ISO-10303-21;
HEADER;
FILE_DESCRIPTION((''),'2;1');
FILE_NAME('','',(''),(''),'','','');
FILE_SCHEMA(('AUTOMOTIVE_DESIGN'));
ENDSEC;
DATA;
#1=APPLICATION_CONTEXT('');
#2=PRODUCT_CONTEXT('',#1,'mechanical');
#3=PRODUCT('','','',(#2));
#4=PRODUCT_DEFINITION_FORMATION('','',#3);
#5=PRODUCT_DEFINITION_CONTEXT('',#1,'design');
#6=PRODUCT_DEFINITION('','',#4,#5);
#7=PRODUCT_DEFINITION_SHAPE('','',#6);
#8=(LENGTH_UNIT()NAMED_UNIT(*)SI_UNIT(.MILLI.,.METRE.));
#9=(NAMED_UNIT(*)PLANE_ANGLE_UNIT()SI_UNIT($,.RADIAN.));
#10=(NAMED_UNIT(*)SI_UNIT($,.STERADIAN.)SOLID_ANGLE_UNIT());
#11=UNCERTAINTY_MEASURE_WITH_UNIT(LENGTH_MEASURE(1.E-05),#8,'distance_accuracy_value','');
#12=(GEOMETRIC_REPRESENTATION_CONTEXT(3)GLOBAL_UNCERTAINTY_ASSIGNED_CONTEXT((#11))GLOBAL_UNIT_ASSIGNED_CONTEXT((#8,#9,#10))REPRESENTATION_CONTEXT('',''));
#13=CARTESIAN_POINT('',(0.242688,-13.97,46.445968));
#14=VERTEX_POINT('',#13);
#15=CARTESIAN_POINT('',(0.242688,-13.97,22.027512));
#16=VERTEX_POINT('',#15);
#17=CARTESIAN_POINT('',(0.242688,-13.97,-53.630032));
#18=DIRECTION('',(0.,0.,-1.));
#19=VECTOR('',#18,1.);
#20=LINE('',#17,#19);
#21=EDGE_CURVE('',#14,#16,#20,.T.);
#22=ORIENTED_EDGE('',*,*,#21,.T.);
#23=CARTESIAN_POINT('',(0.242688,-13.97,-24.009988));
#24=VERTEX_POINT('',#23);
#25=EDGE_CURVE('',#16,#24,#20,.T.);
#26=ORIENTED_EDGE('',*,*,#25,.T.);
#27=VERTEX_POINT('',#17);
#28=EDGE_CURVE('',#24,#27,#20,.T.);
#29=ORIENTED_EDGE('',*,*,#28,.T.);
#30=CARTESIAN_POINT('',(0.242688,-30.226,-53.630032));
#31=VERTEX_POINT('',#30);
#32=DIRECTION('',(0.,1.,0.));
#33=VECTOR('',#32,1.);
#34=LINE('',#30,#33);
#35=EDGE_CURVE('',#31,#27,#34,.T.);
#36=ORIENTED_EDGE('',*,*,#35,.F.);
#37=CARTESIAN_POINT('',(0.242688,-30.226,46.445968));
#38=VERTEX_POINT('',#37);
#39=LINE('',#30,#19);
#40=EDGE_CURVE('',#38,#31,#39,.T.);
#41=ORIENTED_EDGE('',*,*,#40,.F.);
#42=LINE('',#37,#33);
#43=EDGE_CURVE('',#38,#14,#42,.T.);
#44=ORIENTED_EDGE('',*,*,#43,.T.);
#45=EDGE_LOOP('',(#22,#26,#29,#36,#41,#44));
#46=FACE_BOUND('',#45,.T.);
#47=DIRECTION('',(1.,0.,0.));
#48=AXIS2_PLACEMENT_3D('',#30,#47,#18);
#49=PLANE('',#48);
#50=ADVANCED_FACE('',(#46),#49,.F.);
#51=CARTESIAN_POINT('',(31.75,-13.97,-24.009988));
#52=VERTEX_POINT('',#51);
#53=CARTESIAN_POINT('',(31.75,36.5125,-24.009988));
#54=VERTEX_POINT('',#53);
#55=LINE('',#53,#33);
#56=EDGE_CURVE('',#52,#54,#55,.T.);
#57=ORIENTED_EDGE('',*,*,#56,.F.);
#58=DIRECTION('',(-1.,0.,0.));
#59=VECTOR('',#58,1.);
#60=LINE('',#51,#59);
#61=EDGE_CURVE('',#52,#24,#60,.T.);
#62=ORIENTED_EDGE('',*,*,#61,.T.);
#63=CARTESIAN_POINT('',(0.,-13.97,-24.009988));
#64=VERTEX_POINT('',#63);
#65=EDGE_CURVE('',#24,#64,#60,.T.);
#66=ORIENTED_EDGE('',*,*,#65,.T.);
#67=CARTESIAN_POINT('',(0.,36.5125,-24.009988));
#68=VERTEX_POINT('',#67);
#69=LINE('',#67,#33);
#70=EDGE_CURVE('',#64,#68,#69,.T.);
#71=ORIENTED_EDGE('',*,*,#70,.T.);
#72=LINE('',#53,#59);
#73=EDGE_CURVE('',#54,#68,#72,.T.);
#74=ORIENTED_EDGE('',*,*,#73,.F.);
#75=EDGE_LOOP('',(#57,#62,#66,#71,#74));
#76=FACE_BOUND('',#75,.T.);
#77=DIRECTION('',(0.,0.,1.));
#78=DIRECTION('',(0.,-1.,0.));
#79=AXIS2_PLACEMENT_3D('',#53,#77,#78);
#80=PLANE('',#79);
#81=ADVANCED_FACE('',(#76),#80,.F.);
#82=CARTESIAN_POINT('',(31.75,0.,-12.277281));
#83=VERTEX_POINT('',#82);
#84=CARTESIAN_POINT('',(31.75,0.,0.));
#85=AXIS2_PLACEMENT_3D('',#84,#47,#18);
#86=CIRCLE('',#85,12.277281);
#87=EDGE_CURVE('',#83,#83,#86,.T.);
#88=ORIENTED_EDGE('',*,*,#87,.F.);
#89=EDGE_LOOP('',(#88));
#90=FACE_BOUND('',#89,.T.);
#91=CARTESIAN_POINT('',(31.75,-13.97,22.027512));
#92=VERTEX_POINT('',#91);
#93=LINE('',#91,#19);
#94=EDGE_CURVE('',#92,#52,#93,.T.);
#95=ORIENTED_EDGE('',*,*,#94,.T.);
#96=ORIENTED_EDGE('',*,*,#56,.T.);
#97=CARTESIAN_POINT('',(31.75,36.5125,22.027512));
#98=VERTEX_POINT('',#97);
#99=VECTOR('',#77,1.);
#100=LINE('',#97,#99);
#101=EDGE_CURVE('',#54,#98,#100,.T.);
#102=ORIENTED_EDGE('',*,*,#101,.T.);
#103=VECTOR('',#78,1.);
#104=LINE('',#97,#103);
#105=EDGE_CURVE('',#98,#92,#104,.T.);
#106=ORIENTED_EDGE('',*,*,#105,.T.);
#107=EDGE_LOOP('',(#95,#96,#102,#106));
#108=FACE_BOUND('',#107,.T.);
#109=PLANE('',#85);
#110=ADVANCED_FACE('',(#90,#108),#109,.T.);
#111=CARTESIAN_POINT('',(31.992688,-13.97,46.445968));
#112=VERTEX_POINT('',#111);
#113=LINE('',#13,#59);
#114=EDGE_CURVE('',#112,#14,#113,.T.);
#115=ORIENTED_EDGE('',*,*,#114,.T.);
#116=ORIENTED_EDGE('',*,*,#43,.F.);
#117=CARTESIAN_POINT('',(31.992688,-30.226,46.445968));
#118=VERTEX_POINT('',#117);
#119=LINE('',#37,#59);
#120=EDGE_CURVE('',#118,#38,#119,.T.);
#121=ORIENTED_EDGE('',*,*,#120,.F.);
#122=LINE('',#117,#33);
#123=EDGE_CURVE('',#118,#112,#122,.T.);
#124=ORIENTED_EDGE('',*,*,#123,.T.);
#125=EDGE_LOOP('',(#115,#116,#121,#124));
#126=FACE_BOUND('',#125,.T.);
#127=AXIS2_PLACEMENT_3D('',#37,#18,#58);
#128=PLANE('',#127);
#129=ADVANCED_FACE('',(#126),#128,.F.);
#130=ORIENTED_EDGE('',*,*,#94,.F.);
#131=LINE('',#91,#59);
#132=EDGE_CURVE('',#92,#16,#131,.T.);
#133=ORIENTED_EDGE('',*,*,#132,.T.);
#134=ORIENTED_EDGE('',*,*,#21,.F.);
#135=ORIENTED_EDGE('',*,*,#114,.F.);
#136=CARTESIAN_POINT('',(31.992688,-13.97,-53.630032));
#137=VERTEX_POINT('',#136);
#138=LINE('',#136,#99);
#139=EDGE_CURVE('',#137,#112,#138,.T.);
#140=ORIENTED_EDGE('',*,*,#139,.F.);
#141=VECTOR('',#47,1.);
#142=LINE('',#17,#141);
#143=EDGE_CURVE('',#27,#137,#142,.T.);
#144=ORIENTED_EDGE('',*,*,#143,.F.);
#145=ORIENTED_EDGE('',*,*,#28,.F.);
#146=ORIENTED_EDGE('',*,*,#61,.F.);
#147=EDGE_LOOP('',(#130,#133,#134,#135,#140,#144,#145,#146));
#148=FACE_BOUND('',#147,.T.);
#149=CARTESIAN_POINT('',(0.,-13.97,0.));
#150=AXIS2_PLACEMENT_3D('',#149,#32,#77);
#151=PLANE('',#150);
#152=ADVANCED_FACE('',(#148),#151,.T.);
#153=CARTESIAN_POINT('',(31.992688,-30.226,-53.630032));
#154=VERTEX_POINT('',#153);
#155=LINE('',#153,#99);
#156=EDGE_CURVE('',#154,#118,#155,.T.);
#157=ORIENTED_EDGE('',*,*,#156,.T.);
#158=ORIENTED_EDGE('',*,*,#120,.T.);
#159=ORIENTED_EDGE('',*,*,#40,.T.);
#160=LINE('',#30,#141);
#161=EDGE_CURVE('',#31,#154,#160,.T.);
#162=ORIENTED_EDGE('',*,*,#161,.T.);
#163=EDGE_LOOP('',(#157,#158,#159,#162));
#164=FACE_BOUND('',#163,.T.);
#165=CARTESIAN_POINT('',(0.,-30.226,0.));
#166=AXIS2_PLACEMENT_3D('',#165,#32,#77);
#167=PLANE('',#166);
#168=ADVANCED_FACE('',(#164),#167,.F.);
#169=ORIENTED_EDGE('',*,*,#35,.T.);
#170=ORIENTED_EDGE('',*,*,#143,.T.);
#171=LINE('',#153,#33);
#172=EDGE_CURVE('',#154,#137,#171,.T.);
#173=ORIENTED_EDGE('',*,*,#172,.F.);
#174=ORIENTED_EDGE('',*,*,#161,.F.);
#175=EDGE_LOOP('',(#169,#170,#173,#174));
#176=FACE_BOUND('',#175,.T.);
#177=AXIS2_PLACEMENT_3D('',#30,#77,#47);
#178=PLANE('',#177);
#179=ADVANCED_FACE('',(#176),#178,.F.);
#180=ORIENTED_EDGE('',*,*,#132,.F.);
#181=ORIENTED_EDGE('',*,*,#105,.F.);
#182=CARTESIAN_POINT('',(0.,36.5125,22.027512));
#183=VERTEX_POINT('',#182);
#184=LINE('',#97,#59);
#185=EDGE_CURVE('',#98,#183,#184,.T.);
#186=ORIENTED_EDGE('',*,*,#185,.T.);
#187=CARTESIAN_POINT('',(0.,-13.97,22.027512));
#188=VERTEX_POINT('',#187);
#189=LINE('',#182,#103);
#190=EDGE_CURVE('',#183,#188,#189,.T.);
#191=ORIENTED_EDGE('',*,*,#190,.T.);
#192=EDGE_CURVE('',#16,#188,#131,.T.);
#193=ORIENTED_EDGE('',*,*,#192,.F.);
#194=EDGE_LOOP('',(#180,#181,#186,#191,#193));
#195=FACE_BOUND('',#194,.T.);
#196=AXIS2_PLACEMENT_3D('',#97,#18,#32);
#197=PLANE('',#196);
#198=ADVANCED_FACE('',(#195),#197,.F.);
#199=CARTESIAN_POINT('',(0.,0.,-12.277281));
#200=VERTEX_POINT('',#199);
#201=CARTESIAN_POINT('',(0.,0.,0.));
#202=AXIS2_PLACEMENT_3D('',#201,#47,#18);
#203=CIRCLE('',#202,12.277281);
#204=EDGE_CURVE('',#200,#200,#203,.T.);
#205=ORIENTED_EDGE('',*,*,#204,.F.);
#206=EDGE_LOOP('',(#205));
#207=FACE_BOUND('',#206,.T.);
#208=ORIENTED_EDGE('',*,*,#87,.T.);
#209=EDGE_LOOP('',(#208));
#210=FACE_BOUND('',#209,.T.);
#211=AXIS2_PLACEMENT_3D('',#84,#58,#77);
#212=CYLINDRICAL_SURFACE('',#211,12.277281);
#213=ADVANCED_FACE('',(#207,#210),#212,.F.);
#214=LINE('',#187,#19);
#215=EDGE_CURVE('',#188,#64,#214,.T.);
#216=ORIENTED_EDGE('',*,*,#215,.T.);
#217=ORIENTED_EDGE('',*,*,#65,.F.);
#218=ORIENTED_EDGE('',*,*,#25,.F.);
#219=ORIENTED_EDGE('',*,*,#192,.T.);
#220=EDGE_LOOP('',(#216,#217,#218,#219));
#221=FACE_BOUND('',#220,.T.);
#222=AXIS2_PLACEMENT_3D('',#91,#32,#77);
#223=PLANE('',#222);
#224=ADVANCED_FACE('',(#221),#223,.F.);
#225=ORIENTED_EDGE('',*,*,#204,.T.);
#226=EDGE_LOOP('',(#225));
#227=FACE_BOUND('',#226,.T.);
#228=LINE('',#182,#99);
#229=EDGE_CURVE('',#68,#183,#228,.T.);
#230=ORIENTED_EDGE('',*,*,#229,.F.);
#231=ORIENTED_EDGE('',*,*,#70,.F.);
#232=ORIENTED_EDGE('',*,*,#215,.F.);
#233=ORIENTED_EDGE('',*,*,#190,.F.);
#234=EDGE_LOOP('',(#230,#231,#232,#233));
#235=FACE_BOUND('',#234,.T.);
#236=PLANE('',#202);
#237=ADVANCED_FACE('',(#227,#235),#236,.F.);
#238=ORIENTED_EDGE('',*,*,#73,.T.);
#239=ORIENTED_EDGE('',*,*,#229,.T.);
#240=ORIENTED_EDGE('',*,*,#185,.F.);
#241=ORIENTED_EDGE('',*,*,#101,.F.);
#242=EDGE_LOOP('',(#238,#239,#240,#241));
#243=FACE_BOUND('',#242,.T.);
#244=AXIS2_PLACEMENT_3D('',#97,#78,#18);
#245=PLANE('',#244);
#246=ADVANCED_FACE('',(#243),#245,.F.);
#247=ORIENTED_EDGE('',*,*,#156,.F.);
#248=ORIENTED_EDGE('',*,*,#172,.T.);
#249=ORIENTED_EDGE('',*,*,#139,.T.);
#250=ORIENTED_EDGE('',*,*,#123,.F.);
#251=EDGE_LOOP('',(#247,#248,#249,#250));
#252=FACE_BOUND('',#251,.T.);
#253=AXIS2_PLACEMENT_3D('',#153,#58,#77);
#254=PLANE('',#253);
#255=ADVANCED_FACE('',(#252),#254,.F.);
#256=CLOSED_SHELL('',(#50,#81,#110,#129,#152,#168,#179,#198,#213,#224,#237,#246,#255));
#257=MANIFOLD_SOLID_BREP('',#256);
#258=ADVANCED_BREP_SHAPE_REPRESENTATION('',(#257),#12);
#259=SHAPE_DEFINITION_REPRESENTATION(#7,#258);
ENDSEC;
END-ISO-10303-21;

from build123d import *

# Parameters (mm, degrees)
SKETCH1_W           = 46.0375
SKETCH1_H           = 50.4825
SKETCH1_R           = 12.277280792
BOSS_EXTRUDE1_DEPTH = 31.75
SKETCH3_W           = 31.75
SKETCH3_H           = 100.076
BOSS_EXTRUDE3_DEPTH = 16.256


with BuildPart() as part:
    # Sketch1 → Boss-Extrude1 (new body)
    with BuildSketch(Plane(origin=(0, 0, 0), x_dir=(0, 0, -1), z_dir=(1, 0, 0))):
        with Locations((0.991238038, 11.27125)):
            Rectangle(SKETCH1_W, SKETCH1_H)
        Circle(SKETCH1_R, mode=Mode.SUBTRACT)
    extrude(amount=BOSS_EXTRUDE1_DEPTH)

    # Sketch3 → Boss-Extrude3 (add)
    with BuildSketch(Plane(origin=(0, -13.97, 0), x_dir=(-1, 0, 0), z_dir=(0, -1, 0))):
        with Locations((-16.117688266, 3.592032026)):
            Rectangle(SKETCH3_W, SKETCH3_H)
    extrude(amount=BOSS_EXTRUDE3_DEPTH)


solid = part.part
